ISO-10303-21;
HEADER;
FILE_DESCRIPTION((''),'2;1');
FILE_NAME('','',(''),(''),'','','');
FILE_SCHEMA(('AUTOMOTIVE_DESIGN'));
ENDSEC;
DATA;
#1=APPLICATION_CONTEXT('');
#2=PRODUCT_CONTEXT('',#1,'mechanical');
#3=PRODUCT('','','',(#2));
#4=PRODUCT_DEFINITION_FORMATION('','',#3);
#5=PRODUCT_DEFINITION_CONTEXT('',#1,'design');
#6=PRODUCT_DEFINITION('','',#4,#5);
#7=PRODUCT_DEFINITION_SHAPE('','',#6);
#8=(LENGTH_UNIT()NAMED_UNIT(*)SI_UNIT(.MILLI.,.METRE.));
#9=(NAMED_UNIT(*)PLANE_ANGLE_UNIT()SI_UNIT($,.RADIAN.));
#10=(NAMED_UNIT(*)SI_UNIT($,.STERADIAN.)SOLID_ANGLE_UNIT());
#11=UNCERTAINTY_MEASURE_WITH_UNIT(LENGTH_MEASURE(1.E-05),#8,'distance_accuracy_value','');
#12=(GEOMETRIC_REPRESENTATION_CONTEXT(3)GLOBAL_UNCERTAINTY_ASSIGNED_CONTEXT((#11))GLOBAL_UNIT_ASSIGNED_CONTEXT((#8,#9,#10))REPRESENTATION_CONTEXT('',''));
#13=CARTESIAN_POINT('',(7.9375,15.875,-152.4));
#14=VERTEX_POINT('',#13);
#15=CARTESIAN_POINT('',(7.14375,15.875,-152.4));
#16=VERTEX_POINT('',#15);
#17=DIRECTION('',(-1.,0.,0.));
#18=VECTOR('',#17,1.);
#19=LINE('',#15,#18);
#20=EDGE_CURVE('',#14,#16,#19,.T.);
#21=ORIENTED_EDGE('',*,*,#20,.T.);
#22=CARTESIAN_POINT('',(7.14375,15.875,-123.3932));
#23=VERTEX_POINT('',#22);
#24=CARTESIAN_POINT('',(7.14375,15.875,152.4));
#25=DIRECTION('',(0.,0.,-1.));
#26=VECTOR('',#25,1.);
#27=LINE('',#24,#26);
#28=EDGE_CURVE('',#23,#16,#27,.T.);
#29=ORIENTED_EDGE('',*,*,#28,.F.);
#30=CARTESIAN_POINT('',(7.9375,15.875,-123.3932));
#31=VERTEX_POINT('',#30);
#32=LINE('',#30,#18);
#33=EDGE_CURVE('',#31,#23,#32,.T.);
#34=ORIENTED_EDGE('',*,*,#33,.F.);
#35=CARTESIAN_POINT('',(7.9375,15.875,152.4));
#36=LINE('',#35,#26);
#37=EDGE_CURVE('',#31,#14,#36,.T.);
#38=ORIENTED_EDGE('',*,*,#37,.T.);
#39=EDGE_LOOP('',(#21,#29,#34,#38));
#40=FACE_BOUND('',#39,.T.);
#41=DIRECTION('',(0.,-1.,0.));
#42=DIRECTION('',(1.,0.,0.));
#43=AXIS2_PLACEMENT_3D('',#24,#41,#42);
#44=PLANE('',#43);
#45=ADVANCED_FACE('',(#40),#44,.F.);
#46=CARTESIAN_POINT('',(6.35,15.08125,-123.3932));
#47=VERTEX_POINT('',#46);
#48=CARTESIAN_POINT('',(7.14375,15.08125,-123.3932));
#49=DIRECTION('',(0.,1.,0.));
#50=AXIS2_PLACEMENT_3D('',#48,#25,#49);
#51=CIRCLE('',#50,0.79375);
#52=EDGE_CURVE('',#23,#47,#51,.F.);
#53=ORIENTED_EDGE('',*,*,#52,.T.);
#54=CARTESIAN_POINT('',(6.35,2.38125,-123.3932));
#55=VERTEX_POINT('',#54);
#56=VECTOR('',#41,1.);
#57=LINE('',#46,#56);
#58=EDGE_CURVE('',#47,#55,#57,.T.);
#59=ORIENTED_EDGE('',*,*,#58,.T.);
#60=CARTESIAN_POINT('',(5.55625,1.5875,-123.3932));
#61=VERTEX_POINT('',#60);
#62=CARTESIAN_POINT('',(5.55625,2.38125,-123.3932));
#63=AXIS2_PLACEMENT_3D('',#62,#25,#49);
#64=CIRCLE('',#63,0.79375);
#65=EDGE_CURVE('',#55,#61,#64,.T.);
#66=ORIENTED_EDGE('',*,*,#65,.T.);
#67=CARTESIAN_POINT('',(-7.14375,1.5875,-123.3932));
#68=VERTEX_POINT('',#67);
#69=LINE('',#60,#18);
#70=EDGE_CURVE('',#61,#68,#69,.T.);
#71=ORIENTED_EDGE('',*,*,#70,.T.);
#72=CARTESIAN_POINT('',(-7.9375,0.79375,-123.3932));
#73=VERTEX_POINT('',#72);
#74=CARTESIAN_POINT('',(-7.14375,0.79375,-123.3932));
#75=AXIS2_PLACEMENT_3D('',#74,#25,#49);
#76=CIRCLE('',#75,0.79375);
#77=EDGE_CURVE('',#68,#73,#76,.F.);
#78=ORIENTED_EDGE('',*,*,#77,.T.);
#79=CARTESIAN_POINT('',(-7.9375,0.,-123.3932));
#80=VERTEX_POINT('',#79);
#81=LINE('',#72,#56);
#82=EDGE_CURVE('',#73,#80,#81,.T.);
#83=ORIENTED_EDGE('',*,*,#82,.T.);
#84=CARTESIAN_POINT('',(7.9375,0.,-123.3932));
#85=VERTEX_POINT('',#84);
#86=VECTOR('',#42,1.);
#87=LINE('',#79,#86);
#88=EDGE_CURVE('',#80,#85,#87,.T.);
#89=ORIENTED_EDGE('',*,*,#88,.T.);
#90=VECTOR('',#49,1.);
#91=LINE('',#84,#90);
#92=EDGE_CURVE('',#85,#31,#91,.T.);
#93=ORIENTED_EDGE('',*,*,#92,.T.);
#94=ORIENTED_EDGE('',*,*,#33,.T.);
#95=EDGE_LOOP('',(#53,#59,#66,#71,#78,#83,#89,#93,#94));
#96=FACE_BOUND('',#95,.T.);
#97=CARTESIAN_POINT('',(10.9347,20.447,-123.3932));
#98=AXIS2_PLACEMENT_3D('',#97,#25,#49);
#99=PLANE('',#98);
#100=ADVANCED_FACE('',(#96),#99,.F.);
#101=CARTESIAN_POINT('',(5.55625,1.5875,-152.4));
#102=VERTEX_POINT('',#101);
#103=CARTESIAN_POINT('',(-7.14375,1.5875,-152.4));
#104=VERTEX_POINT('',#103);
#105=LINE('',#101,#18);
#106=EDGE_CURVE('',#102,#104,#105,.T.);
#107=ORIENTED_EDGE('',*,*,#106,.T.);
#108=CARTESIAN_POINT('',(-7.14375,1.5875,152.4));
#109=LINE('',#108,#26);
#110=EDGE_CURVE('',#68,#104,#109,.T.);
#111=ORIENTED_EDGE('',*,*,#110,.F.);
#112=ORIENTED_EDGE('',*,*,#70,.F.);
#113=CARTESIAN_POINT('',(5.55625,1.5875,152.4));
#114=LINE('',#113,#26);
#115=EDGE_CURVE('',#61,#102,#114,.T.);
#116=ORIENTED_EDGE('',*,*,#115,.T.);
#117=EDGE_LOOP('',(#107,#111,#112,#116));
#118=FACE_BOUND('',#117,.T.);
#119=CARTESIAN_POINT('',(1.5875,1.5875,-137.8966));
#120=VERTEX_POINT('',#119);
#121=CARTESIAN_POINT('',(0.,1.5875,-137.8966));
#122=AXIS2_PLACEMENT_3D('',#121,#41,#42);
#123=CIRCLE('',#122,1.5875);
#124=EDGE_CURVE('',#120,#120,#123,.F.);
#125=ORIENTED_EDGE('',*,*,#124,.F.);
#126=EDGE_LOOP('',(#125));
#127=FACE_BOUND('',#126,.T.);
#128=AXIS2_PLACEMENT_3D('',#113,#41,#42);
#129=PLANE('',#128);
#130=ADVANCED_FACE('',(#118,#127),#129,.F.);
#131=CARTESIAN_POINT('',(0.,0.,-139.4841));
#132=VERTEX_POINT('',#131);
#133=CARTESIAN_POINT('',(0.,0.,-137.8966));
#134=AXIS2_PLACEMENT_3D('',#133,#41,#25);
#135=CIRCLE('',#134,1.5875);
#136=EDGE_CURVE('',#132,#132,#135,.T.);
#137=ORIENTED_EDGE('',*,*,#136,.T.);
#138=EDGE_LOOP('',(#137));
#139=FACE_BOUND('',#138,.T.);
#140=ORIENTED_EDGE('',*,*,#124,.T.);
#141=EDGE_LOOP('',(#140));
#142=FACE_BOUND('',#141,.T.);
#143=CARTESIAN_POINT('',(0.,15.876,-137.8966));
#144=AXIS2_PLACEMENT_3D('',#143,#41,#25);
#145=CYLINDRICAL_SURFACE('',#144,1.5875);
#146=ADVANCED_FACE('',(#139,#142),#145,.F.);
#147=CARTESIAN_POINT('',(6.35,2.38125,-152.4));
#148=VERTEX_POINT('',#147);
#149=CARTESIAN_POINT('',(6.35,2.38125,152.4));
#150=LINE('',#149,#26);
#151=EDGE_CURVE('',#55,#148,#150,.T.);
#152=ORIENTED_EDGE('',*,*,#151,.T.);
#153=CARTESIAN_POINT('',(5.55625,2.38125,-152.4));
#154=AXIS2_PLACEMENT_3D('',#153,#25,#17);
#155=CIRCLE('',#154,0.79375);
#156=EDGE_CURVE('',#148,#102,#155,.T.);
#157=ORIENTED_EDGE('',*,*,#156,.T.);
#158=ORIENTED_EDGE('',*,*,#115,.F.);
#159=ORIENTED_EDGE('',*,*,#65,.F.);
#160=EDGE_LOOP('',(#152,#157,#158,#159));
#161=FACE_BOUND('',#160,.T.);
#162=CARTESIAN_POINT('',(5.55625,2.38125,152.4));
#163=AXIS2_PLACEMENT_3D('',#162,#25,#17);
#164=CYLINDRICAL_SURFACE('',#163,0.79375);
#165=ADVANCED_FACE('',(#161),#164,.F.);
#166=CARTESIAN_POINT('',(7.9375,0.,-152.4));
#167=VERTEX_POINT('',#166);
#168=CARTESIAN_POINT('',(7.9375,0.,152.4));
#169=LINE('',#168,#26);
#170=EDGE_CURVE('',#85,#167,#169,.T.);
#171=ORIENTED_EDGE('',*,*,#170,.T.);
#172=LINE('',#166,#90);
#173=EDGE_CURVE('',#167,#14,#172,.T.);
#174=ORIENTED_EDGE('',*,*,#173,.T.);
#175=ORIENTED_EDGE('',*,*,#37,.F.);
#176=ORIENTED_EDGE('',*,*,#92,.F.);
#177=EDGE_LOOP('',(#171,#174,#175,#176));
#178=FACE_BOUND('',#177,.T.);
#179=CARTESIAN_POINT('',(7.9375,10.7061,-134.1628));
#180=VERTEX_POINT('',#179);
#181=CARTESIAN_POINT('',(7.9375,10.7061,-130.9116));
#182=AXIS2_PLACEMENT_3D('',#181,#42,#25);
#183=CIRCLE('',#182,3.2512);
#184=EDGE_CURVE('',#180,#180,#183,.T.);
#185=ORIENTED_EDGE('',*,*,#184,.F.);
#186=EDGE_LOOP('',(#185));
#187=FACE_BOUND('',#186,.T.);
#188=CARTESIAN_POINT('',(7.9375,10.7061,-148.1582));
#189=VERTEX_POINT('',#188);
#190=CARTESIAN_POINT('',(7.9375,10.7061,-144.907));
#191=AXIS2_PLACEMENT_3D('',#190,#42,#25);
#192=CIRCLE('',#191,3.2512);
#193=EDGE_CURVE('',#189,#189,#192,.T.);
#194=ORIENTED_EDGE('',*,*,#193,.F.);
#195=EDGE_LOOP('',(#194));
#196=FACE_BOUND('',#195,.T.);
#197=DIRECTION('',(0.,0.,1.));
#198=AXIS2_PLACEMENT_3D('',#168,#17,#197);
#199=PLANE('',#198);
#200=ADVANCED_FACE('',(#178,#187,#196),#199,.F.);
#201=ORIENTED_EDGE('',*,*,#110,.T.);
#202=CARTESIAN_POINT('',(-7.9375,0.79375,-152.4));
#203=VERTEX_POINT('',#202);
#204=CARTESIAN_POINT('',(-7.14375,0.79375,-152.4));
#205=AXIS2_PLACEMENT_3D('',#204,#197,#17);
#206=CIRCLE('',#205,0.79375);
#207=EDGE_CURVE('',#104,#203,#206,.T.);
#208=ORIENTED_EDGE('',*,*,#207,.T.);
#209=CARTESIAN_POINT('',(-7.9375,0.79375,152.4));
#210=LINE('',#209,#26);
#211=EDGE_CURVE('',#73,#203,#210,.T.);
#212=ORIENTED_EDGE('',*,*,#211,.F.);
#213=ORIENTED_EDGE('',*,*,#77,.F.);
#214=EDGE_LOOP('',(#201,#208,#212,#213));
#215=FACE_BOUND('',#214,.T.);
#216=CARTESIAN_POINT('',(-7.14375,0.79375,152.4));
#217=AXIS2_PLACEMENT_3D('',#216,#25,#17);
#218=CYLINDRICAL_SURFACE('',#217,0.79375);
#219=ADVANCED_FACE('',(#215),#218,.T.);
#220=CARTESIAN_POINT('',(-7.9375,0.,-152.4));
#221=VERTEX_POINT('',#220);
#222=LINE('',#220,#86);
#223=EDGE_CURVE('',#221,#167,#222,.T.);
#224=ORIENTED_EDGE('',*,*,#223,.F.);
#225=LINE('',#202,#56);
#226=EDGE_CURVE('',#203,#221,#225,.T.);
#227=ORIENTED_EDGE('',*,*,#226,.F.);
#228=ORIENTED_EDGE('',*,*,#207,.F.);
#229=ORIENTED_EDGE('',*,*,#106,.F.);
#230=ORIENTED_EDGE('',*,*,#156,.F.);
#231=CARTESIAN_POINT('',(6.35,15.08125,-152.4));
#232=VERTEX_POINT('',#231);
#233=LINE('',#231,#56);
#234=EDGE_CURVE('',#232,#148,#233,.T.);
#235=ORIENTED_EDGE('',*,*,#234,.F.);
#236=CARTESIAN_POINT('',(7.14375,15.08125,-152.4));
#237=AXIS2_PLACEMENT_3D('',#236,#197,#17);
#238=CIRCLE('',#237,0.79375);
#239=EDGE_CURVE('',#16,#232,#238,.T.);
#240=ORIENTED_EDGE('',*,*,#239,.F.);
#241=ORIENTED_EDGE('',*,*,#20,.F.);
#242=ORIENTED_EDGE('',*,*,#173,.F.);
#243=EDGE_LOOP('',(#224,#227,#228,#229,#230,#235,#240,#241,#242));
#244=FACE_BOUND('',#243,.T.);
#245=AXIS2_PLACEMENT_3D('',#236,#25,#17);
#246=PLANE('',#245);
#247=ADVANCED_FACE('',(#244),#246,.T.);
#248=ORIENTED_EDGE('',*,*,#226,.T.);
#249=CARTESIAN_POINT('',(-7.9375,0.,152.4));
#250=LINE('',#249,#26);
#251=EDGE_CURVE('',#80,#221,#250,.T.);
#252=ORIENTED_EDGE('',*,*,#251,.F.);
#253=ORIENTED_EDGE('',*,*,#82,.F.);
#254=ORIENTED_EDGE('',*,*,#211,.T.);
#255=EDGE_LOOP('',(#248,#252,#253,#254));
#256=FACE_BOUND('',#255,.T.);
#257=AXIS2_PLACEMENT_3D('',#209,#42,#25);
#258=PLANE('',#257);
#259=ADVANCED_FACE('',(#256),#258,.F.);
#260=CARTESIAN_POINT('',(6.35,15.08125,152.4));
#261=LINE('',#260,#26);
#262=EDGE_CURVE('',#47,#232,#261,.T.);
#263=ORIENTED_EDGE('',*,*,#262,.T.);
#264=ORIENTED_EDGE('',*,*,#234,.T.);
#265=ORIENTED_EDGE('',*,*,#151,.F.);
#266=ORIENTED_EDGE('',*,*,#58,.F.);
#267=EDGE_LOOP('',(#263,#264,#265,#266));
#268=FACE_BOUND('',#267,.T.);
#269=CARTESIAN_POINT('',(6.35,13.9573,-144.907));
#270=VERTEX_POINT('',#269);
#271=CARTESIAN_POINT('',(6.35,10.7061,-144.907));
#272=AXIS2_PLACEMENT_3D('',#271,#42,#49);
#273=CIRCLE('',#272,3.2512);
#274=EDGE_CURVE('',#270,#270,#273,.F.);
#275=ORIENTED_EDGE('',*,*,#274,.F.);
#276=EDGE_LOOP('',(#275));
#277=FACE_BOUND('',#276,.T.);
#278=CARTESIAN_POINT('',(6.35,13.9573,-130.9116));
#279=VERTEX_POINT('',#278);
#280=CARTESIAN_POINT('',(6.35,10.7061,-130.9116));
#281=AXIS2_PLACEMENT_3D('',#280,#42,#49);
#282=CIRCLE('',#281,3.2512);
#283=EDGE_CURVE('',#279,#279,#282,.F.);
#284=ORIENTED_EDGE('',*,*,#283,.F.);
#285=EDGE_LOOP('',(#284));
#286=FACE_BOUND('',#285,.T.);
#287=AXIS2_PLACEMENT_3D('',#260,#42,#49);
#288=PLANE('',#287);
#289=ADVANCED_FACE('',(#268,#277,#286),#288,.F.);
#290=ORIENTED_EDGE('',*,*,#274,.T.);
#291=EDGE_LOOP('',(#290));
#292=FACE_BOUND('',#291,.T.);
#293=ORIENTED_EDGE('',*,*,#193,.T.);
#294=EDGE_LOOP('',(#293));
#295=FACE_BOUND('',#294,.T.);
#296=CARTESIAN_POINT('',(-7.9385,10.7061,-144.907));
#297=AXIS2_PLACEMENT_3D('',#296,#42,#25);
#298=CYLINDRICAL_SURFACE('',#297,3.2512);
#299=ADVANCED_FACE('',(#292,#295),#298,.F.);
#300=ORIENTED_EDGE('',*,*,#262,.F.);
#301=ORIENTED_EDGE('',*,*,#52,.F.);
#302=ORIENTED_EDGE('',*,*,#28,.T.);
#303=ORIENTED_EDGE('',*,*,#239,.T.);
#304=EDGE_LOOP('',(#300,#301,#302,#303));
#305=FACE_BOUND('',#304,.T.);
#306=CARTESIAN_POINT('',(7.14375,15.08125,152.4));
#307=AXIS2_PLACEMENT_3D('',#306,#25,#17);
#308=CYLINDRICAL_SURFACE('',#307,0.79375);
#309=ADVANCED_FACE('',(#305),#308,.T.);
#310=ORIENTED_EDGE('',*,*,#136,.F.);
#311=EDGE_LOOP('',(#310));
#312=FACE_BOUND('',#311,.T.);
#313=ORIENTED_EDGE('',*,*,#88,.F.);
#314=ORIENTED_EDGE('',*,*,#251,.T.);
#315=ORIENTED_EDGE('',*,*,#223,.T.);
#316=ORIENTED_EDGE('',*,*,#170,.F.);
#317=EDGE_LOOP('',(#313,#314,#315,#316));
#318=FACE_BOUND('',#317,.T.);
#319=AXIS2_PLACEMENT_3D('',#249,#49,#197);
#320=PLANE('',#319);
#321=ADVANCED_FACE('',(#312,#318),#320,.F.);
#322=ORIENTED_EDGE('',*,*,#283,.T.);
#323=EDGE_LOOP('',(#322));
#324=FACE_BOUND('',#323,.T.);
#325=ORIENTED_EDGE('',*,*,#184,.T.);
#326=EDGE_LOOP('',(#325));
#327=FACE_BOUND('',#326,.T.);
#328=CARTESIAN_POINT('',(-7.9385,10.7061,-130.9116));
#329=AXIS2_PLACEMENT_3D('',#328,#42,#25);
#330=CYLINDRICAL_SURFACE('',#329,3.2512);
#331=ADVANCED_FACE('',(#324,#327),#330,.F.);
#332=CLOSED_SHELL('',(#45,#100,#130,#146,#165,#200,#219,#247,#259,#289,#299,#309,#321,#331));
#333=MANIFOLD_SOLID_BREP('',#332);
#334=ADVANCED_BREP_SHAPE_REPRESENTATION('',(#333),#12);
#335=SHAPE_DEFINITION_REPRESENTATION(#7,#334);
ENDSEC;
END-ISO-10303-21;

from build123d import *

# Parameters (mm, degrees)
BOSS_EXTRUDE1_DEPTH = 152.4
CUT_EXTRUDE1_REACH  = 17.875
SKETCH3_R           = 3.2512
CUT_EXTRUDE2_START  = -275.7932
CUT_EXTRUDE2_DEPTH  = 275.7932
CUT_EXTRUDE3_REACH  = 17.875
SKETCH5_R           = 1.5875


with BuildPart() as part:
    # Sketch2 → Boss-Extrude1 (new body, symmetric)
    with BuildSketch(Plane.XY):
        with BuildLine():
            Line((-7.9375, 0), (7.9375, 0))
            Line((7.9375, 0), (7.9375, 15.875))
            Line((7.9375, 15.875), (7.14375, 15.875))
            ThreePointArc((7.14375, 15.875), (6.582483992, 15.642516008), (6.35, 15.08125))
            Line((6.35, 15.08125), (6.35, 2.38125))
            ThreePointArc((6.35, 2.38125), (6.117516008, 1.819983992), (5.55625, 1.5875))
            Line((5.55625, 1.5875), (-7.14375, 1.5875))
            ThreePointArc((-7.14375, 1.5875), (-7.705016008, 1.355016008), (-7.9375, 0.79375))
            Line((-7.9375, 0.79375), (-7.9375, 0))
        make_face()
    extrude(amount=BOSS_EXTRUDE1_DEPTH, both=True)

    # Sketch3 → Cut-Extrude1 (cut, up to next)
    with BuildSketch(Plane(origin=(7.9375, 0, 0), x_dir=(0, 0, -1), z_dir=(1, 0, 0)), mode=Mode.PRIVATE) as cut_extrude1_sk1:
        with Locations((144.907, 10.7061)):
            Circle(SKETCH3_R)
    cut_extrude1_tool1 = extrude(cut_extrude1_sk1.sketch, amount=-CUT_EXTRUDE1_REACH, mode=Mode.PRIVATE) & part.part
    add(cut_extrude1_tool1.solids().sort_by_distance((7.9375, 10.7061, -144.907))[0], mode=Mode.SUBTRACT)
    # Sketch3 → Cut-Extrude1 (cut, up to next)
    with BuildSketch(Plane(origin=(7.9375, 0, 0), x_dir=(0, 0, -1), z_dir=(1, 0, 0)), mode=Mode.PRIVATE) as cut_extrude1_sk2:
        with Locations((130.9116, 10.7061)):
            Circle(SKETCH3_R)
    cut_extrude1_tool2 = extrude(cut_extrude1_sk2.sketch, amount=-CUT_EXTRUDE1_REACH, mode=Mode.PRIVATE) & part.part
    add(cut_extrude1_tool2.solids().sort_by_distance((7.9375, 10.7061, -130.9116))[0], mode=Mode.SUBTRACT)

    # Sketch4 → Cut-Extrude2 (cut)
    with BuildSketch(Plane.XY.offset(152.4).offset(CUT_EXTRUDE2_START)):
        with BuildLine():
            Line((-7.9375, 0.79375), (-7.9375, 0))
            Line((-7.9375, 0), (7.9375, 0))
            Line((7.9375, 0), (7.9375, 15.875))
            Line((7.9375, 15.875), (7.14375, 15.875))
            ThreePointArc((7.14375, 15.875), (6.582483992, 15.642516008), (6.35, 15.08125))
            Line((6.35, 15.08125), (6.35, 2.38125))
            ThreePointArc((6.35, 2.38125), (6.117516008, 1.819983992), (5.55625, 1.5875))
            Line((5.55625, 1.5875), (-7.14375, 1.5875))
            ThreePointArc((-7.14375, 1.5875), (-7.705016008, 1.355016008), (-7.9375, 0.79375))
        make_face()
    extrude(amount=CUT_EXTRUDE2_DEPTH, mode=Mode.SUBTRACT)

    # Sketch5 → Cut-Extrude3 (cut, up to next)
    with BuildSketch(Plane.XZ, mode=Mode.PRIVATE) as cut_extrude3_sk1:
        with Locations((0, -137.8966)):
            Circle(SKETCH5_R)
    cut_extrude3_tool1 = extrude(cut_extrude3_sk1.sketch, amount=-CUT_EXTRUDE3_REACH, mode=Mode.PRIVATE) & part.part
    add(cut_extrude3_tool1.solids().sort_by_distance((0, 0, -137.8966))[0], mode=Mode.SUBTRACT)


solid = part.part
